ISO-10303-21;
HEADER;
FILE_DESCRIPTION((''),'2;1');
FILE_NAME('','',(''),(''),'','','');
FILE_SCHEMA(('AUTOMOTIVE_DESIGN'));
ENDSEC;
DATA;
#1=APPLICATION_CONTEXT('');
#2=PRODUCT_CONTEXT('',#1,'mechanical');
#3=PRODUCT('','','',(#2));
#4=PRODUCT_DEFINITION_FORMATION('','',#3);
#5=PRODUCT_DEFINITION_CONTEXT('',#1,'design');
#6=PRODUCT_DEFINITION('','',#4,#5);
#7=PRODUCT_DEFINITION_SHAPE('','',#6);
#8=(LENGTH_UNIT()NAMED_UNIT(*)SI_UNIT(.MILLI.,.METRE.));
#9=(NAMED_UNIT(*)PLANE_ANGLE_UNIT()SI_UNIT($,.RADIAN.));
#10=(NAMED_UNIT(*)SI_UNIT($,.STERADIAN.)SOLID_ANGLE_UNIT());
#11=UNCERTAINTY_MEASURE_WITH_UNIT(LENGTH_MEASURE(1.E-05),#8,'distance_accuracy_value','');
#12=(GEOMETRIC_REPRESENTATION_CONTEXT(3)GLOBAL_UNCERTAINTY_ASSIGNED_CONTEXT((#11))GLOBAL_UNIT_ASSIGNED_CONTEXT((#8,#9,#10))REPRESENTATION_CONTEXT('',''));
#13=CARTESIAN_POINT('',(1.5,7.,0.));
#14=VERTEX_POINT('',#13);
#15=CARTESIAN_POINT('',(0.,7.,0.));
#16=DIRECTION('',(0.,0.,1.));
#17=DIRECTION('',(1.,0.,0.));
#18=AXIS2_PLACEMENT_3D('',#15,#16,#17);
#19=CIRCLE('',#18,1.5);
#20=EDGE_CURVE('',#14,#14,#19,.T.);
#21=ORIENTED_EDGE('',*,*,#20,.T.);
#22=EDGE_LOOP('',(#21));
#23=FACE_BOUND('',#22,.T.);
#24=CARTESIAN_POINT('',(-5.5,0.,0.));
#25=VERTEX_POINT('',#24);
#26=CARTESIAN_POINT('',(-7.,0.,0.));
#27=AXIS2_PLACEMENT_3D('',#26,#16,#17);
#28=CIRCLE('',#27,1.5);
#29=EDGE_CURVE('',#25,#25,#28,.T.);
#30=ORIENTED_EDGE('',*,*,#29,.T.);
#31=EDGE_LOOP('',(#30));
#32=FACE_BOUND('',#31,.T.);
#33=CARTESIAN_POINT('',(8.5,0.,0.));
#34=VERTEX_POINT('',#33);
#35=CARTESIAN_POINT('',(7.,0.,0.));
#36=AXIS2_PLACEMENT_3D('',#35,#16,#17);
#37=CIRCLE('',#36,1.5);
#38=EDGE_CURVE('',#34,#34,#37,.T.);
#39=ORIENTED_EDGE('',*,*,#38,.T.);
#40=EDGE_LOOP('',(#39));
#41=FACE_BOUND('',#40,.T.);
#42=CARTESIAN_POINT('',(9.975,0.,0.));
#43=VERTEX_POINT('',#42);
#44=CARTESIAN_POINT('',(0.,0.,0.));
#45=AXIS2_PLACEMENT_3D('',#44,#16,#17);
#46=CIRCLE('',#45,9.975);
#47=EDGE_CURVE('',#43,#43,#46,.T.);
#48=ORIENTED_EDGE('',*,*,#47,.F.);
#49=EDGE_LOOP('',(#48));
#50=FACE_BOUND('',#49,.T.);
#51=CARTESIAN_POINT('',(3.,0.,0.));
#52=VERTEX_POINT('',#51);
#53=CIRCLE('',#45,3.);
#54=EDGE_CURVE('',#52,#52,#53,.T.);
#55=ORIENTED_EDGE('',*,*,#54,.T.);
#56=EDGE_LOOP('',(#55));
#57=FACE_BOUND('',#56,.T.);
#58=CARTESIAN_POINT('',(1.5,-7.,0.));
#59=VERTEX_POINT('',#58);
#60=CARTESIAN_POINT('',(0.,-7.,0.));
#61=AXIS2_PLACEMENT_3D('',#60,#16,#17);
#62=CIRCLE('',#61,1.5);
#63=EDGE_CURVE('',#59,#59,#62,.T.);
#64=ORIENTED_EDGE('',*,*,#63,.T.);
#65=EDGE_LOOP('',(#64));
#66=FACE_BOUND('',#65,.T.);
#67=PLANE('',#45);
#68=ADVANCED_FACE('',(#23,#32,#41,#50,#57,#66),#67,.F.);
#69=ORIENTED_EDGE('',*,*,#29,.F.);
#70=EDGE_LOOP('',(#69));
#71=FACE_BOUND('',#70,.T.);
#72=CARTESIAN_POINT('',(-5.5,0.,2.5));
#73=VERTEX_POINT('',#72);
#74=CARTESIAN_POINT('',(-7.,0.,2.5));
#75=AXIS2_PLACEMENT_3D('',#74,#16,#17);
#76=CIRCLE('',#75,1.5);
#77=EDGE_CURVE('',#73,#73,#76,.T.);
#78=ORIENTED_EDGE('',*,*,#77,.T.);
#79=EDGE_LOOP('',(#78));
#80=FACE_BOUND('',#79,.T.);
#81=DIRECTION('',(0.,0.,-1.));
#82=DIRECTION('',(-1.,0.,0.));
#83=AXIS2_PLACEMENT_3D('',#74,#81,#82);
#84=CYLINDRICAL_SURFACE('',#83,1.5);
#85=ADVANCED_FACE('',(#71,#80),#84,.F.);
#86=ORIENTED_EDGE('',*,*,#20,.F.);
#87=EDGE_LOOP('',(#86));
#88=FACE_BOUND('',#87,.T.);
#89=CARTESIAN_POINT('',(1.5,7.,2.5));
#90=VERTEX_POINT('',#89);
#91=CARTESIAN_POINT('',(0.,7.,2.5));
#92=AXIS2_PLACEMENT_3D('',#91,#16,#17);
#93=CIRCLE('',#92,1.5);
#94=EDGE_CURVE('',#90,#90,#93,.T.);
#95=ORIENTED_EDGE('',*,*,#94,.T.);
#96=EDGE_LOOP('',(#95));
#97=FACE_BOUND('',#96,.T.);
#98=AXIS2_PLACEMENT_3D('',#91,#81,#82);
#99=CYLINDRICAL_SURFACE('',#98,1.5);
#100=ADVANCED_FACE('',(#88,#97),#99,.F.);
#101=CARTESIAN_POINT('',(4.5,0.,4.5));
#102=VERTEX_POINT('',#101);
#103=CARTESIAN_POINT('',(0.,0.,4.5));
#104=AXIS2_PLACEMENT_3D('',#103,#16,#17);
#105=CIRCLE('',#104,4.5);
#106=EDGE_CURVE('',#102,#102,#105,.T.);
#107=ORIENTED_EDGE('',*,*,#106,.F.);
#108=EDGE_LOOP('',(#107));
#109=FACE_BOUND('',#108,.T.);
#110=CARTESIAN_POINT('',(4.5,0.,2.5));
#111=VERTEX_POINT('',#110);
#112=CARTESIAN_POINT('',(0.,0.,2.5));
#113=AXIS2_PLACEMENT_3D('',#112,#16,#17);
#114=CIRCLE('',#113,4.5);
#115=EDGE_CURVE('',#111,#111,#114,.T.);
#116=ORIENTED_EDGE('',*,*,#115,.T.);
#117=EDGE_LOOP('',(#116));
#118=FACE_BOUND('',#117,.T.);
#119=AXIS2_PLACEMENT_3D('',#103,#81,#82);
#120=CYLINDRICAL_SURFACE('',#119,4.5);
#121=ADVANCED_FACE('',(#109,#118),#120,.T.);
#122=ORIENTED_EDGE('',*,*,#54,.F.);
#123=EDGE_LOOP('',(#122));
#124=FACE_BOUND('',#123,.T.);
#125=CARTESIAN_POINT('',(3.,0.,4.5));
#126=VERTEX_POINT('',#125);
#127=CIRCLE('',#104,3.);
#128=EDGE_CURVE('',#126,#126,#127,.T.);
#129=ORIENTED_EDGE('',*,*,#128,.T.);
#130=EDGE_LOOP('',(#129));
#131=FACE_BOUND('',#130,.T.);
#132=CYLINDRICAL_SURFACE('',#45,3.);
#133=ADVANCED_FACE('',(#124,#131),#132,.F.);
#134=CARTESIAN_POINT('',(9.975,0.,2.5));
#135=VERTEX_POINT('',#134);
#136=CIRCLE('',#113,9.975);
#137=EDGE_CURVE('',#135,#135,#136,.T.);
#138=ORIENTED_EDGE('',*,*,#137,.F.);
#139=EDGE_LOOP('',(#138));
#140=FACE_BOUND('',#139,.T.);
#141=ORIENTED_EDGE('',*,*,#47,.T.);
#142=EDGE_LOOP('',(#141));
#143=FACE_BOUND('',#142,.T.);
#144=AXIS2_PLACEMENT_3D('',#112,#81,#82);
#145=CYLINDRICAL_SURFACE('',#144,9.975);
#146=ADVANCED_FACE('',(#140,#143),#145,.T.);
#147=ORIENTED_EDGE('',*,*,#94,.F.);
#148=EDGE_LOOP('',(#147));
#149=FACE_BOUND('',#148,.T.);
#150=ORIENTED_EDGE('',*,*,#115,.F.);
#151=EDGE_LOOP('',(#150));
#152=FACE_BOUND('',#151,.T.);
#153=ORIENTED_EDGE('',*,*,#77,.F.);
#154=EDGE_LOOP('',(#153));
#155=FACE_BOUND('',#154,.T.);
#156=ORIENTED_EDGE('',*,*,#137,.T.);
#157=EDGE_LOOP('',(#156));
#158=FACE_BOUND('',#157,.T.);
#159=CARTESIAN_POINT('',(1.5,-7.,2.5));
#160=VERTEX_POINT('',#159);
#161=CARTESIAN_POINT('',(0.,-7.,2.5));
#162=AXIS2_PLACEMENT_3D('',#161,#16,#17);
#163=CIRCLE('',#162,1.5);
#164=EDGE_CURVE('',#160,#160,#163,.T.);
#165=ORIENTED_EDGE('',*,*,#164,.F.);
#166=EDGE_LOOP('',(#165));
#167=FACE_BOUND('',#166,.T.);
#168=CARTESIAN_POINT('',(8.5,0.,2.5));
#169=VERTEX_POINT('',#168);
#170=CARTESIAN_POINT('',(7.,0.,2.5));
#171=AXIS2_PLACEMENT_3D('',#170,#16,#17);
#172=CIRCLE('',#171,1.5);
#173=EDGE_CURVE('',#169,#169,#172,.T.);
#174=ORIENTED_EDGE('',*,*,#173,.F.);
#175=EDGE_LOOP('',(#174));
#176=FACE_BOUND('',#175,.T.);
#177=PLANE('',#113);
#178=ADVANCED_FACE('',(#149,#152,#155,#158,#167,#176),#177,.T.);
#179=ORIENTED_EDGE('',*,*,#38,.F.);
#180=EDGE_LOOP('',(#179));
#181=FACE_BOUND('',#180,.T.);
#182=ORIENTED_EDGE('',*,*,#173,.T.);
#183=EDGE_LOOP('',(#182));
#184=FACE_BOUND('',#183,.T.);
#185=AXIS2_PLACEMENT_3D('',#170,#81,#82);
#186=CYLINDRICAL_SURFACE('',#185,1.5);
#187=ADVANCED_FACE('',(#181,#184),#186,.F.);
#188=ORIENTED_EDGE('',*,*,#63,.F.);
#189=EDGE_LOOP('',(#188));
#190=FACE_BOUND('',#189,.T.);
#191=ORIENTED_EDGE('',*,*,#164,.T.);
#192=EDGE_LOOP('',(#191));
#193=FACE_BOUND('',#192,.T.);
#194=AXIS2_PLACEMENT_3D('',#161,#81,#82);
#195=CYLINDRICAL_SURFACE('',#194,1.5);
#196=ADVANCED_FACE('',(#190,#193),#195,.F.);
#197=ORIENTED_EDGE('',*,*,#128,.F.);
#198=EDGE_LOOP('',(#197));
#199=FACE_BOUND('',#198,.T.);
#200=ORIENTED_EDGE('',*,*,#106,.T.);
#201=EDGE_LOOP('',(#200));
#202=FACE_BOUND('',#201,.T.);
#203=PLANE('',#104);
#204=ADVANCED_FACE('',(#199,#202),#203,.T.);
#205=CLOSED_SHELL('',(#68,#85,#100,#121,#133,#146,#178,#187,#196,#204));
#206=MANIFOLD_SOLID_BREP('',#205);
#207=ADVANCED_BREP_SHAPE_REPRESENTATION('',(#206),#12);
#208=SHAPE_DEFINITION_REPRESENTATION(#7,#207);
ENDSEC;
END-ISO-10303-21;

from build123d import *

# Parameters (mm, degrees)
SKETCH1_R           = 9.975
SKETCH1_R_2         = 1.5
BOSS_EXTRUDE1_DEPTH = 2.5
SKETCH2_R           = 4.5
BOSS_EXTRUDE2_DEPTH = 2
SKETCH3_R           = 3
CUT_EXTRUDE1_DEPTH  = 15.807135104


with BuildPart() as part:
    # Sketch1 → Boss-Extrude1 (new body)
    with BuildSketch(Plane.XY):
        Circle(SKETCH1_R)
        with Locations((0, 7)):
            Circle(SKETCH1_R_2, mode=Mode.SUBTRACT)
        with Locations((7, 0)):
            Circle(SKETCH1_R_2, mode=Mode.SUBTRACT)
        with Locations((0, -7)):
            Circle(SKETCH1_R_2, mode=Mode.SUBTRACT)
        with Locations((-7, 0)):
            Circle(SKETCH1_R_2, mode=Mode.SUBTRACT)
    extrude(amount=BOSS_EXTRUDE1_DEPTH)

    # Sketch2 → Boss-Extrude2 (add)
    with BuildSketch(Plane.XY.offset(2.5)):
        Circle(SKETCH2_R)
    extrude(amount=BOSS_EXTRUDE2_DEPTH)

    # Sketch3 → Cut-Extrude1 (cut, through all)
    with BuildSketch(Plane.XY.offset(4.5)):
        Circle(SKETCH3_R)
    extrude(amount=-CUT_EXTRUDE1_DEPTH, mode=Mode.SUBTRACT)


solid = part.part
